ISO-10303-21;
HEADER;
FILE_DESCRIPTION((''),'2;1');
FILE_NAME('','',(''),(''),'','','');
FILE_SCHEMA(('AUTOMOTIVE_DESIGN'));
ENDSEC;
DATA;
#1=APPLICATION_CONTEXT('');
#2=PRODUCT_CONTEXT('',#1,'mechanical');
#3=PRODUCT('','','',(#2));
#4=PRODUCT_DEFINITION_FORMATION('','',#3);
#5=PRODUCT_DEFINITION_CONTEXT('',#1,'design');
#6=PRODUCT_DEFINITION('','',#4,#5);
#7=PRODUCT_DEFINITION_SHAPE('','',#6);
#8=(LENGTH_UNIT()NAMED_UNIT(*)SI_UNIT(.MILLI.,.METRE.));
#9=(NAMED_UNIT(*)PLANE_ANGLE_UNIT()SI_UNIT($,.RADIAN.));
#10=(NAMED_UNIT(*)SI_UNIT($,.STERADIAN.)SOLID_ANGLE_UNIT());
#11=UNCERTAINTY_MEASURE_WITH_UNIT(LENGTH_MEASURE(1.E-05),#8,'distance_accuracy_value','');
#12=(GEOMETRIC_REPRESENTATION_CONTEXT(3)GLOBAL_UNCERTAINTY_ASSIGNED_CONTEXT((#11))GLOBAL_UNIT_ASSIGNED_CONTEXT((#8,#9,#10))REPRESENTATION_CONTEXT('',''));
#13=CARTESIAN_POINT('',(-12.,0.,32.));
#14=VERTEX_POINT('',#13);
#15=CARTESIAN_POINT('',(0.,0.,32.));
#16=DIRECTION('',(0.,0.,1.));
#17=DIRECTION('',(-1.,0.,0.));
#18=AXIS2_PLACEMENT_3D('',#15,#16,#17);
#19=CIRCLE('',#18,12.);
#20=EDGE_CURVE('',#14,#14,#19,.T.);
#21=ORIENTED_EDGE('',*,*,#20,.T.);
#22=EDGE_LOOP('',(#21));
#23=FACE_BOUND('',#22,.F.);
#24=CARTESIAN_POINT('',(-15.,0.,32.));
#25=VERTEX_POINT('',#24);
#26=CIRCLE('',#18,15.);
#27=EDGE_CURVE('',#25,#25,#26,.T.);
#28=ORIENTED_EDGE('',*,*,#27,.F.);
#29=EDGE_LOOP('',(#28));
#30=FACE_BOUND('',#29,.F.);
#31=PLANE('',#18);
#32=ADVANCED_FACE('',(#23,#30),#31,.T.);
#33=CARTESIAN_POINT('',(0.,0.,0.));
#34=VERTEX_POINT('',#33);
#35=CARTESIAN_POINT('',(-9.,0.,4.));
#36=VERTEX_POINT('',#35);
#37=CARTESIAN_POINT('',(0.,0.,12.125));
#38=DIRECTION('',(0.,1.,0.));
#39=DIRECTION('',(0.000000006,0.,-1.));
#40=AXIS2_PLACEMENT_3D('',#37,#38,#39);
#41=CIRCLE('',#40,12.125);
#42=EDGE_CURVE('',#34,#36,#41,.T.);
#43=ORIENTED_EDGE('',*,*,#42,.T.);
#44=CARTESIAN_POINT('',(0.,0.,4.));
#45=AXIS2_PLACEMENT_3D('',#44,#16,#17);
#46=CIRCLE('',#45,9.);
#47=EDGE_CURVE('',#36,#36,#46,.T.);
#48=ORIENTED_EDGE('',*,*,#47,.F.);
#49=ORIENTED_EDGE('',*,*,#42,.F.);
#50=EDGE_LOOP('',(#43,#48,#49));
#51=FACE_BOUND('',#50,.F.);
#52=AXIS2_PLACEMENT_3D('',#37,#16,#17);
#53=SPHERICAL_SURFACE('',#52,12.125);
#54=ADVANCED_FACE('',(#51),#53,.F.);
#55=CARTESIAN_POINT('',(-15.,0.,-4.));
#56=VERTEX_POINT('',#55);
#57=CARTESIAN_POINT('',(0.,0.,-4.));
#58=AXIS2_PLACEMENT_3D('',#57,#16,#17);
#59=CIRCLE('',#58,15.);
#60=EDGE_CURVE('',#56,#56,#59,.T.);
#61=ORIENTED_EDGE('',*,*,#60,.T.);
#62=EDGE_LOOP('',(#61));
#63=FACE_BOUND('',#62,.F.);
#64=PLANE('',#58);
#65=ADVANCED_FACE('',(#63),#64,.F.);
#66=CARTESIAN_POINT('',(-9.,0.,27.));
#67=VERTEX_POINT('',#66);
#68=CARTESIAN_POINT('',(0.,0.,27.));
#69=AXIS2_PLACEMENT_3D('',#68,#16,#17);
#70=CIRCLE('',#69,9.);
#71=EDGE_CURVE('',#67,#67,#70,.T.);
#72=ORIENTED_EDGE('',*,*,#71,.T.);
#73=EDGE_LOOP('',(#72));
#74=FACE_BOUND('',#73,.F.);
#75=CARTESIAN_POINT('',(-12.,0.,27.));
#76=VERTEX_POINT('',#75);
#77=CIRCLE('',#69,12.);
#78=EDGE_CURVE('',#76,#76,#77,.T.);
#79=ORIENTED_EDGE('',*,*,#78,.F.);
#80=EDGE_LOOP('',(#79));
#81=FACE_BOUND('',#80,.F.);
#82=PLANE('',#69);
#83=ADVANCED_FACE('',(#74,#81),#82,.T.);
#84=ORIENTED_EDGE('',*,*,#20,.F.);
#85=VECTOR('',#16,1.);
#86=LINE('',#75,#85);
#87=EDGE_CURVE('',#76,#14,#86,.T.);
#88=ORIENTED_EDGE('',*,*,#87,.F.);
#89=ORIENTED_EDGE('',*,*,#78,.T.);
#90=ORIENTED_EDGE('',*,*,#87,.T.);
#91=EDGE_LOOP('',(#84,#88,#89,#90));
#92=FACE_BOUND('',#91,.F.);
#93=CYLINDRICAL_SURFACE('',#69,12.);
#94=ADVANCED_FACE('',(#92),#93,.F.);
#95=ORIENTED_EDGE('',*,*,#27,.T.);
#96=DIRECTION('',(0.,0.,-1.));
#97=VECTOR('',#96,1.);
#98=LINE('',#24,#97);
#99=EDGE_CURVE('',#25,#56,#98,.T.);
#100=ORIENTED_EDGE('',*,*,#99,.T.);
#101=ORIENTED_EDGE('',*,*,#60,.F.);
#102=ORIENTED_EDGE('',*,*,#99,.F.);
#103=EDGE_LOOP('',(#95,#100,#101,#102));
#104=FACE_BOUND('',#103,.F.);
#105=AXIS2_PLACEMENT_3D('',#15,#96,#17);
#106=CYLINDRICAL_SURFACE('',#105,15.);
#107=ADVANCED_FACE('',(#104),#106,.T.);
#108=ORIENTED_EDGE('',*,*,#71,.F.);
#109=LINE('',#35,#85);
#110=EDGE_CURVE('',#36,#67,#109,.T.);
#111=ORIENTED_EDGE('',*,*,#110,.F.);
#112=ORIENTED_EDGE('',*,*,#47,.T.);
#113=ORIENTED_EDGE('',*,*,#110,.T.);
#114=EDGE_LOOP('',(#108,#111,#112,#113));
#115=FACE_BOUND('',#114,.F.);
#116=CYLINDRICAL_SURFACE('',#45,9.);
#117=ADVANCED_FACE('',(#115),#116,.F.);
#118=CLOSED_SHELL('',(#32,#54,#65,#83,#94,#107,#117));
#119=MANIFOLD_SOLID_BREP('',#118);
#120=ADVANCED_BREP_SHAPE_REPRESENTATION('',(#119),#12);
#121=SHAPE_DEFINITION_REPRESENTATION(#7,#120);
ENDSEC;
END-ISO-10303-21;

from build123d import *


with BuildPart() as f1:
    # F0 (on Front) → F1 (revolve)
    with BuildSketch(Plane.XZ):
        with BuildLine():
            Line((-15, -4), (0, -4))
            Line((0, -4), (0, 0))
            ThreePointArc((0, 0), (-4.924429, 1.045035), (-9, 4))
            Line((-9, 4), (-9, 27))
            Line((-9, 27), (-12, 27))
            Line((-12, 27), (-12, 32))
            Line((-12, 32), (-15, 32))
            Line((-15, 32), (-15, 29))
            Line((-15, 29), (-15, 4))
            Line((-15, 4), (-15, -4))
        make_face()
    revolve(axis=Axis((0, 0, -2), (0, 0, 1)))


solid = f1.part
